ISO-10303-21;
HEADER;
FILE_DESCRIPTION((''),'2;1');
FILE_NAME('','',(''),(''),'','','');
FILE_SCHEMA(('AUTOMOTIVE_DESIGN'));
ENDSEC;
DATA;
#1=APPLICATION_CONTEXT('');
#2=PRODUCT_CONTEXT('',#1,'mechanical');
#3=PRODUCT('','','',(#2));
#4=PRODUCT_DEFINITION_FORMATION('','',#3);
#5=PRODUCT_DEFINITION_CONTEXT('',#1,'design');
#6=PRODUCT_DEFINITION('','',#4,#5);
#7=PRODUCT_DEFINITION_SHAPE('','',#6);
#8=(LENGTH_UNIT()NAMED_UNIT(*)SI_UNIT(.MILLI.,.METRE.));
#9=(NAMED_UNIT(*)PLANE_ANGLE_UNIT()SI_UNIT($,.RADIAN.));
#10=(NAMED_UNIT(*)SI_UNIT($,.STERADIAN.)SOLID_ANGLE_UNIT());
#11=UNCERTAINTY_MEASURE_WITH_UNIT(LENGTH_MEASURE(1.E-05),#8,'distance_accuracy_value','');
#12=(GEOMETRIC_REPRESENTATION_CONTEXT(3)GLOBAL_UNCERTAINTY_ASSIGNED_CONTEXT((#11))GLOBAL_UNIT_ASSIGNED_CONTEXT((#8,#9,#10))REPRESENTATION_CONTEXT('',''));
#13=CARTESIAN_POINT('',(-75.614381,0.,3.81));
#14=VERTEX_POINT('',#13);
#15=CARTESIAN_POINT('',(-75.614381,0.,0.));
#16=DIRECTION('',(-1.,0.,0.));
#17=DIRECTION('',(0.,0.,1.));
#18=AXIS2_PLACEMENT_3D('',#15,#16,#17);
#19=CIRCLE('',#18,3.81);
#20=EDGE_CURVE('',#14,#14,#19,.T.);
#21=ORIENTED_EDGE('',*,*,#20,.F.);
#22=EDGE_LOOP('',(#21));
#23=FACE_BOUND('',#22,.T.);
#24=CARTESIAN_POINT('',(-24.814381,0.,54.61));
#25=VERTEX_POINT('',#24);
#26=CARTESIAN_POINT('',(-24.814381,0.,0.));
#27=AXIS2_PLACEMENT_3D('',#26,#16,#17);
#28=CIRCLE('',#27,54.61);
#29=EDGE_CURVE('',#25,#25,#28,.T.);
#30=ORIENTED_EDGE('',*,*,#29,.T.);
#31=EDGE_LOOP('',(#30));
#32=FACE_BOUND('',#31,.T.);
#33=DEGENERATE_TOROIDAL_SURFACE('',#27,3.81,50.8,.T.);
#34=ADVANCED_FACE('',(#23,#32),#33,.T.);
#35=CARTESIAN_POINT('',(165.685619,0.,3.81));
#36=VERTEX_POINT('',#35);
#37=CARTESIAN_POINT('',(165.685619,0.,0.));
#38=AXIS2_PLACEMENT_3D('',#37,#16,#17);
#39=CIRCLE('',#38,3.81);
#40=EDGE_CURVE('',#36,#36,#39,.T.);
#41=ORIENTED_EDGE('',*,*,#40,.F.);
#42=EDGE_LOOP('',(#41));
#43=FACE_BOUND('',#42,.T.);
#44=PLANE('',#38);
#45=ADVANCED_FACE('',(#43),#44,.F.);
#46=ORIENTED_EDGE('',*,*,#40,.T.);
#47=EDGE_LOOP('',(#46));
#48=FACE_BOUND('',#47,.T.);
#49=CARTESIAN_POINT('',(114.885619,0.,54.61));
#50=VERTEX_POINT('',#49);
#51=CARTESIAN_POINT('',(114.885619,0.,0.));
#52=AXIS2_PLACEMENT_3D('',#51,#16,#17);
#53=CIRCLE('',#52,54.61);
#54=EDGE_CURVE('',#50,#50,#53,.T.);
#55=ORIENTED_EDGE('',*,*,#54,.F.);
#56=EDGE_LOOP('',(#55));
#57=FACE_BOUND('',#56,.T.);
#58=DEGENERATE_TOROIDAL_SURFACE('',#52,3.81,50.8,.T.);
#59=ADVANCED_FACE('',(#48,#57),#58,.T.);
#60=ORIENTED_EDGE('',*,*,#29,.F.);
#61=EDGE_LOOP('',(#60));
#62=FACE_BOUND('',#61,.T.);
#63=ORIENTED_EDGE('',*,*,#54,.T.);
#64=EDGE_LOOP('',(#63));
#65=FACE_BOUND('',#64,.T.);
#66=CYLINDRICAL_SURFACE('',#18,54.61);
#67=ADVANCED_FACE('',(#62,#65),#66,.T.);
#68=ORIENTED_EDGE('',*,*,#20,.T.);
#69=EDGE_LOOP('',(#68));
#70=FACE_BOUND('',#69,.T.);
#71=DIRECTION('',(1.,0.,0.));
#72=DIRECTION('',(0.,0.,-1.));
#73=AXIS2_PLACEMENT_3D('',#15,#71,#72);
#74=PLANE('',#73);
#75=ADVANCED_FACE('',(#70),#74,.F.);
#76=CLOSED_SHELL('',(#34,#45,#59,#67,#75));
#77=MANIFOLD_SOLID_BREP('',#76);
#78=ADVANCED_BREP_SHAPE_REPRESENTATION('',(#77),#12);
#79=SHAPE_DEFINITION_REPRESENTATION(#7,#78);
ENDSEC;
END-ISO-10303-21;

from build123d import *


with BuildPart() as part:
    # Sketch1 → Revolve1 (revolve)
    with BuildSketch(Plane(origin=(0, 0, 0), x_dir=(1, 0, 0), z_dir=(0, 1, 0)), mode=Mode.PRIVATE) as revolve1_sk:
        with BuildLine():
            Line((-75.614381494, 0), (165.685618506, 0))
            Line((165.685618506, 0), (165.685618506, 3.81))
            ThreePointArc((165.685618506, 3.81), (150.80664299, 39.731024484), (114.885618506, 54.61))
            Line((114.885618506, 54.61), (-24.814381494, 54.61))
            ThreePointArc((-24.814381494, 54.61), (-60.735405978, 39.731024484), (-75.614381494, 3.81))
            Line((-75.614381494, 3.81), (-75.614381494, 0))
        make_face()
    revolve(revolve1_sk.sketch.rotate(Axis((-75.614381494, 0, 0), (1, 0, 0)), 180), axis=Axis((-75.614381494, 0, 0), (1, 0, 0)))


solid = part.part
